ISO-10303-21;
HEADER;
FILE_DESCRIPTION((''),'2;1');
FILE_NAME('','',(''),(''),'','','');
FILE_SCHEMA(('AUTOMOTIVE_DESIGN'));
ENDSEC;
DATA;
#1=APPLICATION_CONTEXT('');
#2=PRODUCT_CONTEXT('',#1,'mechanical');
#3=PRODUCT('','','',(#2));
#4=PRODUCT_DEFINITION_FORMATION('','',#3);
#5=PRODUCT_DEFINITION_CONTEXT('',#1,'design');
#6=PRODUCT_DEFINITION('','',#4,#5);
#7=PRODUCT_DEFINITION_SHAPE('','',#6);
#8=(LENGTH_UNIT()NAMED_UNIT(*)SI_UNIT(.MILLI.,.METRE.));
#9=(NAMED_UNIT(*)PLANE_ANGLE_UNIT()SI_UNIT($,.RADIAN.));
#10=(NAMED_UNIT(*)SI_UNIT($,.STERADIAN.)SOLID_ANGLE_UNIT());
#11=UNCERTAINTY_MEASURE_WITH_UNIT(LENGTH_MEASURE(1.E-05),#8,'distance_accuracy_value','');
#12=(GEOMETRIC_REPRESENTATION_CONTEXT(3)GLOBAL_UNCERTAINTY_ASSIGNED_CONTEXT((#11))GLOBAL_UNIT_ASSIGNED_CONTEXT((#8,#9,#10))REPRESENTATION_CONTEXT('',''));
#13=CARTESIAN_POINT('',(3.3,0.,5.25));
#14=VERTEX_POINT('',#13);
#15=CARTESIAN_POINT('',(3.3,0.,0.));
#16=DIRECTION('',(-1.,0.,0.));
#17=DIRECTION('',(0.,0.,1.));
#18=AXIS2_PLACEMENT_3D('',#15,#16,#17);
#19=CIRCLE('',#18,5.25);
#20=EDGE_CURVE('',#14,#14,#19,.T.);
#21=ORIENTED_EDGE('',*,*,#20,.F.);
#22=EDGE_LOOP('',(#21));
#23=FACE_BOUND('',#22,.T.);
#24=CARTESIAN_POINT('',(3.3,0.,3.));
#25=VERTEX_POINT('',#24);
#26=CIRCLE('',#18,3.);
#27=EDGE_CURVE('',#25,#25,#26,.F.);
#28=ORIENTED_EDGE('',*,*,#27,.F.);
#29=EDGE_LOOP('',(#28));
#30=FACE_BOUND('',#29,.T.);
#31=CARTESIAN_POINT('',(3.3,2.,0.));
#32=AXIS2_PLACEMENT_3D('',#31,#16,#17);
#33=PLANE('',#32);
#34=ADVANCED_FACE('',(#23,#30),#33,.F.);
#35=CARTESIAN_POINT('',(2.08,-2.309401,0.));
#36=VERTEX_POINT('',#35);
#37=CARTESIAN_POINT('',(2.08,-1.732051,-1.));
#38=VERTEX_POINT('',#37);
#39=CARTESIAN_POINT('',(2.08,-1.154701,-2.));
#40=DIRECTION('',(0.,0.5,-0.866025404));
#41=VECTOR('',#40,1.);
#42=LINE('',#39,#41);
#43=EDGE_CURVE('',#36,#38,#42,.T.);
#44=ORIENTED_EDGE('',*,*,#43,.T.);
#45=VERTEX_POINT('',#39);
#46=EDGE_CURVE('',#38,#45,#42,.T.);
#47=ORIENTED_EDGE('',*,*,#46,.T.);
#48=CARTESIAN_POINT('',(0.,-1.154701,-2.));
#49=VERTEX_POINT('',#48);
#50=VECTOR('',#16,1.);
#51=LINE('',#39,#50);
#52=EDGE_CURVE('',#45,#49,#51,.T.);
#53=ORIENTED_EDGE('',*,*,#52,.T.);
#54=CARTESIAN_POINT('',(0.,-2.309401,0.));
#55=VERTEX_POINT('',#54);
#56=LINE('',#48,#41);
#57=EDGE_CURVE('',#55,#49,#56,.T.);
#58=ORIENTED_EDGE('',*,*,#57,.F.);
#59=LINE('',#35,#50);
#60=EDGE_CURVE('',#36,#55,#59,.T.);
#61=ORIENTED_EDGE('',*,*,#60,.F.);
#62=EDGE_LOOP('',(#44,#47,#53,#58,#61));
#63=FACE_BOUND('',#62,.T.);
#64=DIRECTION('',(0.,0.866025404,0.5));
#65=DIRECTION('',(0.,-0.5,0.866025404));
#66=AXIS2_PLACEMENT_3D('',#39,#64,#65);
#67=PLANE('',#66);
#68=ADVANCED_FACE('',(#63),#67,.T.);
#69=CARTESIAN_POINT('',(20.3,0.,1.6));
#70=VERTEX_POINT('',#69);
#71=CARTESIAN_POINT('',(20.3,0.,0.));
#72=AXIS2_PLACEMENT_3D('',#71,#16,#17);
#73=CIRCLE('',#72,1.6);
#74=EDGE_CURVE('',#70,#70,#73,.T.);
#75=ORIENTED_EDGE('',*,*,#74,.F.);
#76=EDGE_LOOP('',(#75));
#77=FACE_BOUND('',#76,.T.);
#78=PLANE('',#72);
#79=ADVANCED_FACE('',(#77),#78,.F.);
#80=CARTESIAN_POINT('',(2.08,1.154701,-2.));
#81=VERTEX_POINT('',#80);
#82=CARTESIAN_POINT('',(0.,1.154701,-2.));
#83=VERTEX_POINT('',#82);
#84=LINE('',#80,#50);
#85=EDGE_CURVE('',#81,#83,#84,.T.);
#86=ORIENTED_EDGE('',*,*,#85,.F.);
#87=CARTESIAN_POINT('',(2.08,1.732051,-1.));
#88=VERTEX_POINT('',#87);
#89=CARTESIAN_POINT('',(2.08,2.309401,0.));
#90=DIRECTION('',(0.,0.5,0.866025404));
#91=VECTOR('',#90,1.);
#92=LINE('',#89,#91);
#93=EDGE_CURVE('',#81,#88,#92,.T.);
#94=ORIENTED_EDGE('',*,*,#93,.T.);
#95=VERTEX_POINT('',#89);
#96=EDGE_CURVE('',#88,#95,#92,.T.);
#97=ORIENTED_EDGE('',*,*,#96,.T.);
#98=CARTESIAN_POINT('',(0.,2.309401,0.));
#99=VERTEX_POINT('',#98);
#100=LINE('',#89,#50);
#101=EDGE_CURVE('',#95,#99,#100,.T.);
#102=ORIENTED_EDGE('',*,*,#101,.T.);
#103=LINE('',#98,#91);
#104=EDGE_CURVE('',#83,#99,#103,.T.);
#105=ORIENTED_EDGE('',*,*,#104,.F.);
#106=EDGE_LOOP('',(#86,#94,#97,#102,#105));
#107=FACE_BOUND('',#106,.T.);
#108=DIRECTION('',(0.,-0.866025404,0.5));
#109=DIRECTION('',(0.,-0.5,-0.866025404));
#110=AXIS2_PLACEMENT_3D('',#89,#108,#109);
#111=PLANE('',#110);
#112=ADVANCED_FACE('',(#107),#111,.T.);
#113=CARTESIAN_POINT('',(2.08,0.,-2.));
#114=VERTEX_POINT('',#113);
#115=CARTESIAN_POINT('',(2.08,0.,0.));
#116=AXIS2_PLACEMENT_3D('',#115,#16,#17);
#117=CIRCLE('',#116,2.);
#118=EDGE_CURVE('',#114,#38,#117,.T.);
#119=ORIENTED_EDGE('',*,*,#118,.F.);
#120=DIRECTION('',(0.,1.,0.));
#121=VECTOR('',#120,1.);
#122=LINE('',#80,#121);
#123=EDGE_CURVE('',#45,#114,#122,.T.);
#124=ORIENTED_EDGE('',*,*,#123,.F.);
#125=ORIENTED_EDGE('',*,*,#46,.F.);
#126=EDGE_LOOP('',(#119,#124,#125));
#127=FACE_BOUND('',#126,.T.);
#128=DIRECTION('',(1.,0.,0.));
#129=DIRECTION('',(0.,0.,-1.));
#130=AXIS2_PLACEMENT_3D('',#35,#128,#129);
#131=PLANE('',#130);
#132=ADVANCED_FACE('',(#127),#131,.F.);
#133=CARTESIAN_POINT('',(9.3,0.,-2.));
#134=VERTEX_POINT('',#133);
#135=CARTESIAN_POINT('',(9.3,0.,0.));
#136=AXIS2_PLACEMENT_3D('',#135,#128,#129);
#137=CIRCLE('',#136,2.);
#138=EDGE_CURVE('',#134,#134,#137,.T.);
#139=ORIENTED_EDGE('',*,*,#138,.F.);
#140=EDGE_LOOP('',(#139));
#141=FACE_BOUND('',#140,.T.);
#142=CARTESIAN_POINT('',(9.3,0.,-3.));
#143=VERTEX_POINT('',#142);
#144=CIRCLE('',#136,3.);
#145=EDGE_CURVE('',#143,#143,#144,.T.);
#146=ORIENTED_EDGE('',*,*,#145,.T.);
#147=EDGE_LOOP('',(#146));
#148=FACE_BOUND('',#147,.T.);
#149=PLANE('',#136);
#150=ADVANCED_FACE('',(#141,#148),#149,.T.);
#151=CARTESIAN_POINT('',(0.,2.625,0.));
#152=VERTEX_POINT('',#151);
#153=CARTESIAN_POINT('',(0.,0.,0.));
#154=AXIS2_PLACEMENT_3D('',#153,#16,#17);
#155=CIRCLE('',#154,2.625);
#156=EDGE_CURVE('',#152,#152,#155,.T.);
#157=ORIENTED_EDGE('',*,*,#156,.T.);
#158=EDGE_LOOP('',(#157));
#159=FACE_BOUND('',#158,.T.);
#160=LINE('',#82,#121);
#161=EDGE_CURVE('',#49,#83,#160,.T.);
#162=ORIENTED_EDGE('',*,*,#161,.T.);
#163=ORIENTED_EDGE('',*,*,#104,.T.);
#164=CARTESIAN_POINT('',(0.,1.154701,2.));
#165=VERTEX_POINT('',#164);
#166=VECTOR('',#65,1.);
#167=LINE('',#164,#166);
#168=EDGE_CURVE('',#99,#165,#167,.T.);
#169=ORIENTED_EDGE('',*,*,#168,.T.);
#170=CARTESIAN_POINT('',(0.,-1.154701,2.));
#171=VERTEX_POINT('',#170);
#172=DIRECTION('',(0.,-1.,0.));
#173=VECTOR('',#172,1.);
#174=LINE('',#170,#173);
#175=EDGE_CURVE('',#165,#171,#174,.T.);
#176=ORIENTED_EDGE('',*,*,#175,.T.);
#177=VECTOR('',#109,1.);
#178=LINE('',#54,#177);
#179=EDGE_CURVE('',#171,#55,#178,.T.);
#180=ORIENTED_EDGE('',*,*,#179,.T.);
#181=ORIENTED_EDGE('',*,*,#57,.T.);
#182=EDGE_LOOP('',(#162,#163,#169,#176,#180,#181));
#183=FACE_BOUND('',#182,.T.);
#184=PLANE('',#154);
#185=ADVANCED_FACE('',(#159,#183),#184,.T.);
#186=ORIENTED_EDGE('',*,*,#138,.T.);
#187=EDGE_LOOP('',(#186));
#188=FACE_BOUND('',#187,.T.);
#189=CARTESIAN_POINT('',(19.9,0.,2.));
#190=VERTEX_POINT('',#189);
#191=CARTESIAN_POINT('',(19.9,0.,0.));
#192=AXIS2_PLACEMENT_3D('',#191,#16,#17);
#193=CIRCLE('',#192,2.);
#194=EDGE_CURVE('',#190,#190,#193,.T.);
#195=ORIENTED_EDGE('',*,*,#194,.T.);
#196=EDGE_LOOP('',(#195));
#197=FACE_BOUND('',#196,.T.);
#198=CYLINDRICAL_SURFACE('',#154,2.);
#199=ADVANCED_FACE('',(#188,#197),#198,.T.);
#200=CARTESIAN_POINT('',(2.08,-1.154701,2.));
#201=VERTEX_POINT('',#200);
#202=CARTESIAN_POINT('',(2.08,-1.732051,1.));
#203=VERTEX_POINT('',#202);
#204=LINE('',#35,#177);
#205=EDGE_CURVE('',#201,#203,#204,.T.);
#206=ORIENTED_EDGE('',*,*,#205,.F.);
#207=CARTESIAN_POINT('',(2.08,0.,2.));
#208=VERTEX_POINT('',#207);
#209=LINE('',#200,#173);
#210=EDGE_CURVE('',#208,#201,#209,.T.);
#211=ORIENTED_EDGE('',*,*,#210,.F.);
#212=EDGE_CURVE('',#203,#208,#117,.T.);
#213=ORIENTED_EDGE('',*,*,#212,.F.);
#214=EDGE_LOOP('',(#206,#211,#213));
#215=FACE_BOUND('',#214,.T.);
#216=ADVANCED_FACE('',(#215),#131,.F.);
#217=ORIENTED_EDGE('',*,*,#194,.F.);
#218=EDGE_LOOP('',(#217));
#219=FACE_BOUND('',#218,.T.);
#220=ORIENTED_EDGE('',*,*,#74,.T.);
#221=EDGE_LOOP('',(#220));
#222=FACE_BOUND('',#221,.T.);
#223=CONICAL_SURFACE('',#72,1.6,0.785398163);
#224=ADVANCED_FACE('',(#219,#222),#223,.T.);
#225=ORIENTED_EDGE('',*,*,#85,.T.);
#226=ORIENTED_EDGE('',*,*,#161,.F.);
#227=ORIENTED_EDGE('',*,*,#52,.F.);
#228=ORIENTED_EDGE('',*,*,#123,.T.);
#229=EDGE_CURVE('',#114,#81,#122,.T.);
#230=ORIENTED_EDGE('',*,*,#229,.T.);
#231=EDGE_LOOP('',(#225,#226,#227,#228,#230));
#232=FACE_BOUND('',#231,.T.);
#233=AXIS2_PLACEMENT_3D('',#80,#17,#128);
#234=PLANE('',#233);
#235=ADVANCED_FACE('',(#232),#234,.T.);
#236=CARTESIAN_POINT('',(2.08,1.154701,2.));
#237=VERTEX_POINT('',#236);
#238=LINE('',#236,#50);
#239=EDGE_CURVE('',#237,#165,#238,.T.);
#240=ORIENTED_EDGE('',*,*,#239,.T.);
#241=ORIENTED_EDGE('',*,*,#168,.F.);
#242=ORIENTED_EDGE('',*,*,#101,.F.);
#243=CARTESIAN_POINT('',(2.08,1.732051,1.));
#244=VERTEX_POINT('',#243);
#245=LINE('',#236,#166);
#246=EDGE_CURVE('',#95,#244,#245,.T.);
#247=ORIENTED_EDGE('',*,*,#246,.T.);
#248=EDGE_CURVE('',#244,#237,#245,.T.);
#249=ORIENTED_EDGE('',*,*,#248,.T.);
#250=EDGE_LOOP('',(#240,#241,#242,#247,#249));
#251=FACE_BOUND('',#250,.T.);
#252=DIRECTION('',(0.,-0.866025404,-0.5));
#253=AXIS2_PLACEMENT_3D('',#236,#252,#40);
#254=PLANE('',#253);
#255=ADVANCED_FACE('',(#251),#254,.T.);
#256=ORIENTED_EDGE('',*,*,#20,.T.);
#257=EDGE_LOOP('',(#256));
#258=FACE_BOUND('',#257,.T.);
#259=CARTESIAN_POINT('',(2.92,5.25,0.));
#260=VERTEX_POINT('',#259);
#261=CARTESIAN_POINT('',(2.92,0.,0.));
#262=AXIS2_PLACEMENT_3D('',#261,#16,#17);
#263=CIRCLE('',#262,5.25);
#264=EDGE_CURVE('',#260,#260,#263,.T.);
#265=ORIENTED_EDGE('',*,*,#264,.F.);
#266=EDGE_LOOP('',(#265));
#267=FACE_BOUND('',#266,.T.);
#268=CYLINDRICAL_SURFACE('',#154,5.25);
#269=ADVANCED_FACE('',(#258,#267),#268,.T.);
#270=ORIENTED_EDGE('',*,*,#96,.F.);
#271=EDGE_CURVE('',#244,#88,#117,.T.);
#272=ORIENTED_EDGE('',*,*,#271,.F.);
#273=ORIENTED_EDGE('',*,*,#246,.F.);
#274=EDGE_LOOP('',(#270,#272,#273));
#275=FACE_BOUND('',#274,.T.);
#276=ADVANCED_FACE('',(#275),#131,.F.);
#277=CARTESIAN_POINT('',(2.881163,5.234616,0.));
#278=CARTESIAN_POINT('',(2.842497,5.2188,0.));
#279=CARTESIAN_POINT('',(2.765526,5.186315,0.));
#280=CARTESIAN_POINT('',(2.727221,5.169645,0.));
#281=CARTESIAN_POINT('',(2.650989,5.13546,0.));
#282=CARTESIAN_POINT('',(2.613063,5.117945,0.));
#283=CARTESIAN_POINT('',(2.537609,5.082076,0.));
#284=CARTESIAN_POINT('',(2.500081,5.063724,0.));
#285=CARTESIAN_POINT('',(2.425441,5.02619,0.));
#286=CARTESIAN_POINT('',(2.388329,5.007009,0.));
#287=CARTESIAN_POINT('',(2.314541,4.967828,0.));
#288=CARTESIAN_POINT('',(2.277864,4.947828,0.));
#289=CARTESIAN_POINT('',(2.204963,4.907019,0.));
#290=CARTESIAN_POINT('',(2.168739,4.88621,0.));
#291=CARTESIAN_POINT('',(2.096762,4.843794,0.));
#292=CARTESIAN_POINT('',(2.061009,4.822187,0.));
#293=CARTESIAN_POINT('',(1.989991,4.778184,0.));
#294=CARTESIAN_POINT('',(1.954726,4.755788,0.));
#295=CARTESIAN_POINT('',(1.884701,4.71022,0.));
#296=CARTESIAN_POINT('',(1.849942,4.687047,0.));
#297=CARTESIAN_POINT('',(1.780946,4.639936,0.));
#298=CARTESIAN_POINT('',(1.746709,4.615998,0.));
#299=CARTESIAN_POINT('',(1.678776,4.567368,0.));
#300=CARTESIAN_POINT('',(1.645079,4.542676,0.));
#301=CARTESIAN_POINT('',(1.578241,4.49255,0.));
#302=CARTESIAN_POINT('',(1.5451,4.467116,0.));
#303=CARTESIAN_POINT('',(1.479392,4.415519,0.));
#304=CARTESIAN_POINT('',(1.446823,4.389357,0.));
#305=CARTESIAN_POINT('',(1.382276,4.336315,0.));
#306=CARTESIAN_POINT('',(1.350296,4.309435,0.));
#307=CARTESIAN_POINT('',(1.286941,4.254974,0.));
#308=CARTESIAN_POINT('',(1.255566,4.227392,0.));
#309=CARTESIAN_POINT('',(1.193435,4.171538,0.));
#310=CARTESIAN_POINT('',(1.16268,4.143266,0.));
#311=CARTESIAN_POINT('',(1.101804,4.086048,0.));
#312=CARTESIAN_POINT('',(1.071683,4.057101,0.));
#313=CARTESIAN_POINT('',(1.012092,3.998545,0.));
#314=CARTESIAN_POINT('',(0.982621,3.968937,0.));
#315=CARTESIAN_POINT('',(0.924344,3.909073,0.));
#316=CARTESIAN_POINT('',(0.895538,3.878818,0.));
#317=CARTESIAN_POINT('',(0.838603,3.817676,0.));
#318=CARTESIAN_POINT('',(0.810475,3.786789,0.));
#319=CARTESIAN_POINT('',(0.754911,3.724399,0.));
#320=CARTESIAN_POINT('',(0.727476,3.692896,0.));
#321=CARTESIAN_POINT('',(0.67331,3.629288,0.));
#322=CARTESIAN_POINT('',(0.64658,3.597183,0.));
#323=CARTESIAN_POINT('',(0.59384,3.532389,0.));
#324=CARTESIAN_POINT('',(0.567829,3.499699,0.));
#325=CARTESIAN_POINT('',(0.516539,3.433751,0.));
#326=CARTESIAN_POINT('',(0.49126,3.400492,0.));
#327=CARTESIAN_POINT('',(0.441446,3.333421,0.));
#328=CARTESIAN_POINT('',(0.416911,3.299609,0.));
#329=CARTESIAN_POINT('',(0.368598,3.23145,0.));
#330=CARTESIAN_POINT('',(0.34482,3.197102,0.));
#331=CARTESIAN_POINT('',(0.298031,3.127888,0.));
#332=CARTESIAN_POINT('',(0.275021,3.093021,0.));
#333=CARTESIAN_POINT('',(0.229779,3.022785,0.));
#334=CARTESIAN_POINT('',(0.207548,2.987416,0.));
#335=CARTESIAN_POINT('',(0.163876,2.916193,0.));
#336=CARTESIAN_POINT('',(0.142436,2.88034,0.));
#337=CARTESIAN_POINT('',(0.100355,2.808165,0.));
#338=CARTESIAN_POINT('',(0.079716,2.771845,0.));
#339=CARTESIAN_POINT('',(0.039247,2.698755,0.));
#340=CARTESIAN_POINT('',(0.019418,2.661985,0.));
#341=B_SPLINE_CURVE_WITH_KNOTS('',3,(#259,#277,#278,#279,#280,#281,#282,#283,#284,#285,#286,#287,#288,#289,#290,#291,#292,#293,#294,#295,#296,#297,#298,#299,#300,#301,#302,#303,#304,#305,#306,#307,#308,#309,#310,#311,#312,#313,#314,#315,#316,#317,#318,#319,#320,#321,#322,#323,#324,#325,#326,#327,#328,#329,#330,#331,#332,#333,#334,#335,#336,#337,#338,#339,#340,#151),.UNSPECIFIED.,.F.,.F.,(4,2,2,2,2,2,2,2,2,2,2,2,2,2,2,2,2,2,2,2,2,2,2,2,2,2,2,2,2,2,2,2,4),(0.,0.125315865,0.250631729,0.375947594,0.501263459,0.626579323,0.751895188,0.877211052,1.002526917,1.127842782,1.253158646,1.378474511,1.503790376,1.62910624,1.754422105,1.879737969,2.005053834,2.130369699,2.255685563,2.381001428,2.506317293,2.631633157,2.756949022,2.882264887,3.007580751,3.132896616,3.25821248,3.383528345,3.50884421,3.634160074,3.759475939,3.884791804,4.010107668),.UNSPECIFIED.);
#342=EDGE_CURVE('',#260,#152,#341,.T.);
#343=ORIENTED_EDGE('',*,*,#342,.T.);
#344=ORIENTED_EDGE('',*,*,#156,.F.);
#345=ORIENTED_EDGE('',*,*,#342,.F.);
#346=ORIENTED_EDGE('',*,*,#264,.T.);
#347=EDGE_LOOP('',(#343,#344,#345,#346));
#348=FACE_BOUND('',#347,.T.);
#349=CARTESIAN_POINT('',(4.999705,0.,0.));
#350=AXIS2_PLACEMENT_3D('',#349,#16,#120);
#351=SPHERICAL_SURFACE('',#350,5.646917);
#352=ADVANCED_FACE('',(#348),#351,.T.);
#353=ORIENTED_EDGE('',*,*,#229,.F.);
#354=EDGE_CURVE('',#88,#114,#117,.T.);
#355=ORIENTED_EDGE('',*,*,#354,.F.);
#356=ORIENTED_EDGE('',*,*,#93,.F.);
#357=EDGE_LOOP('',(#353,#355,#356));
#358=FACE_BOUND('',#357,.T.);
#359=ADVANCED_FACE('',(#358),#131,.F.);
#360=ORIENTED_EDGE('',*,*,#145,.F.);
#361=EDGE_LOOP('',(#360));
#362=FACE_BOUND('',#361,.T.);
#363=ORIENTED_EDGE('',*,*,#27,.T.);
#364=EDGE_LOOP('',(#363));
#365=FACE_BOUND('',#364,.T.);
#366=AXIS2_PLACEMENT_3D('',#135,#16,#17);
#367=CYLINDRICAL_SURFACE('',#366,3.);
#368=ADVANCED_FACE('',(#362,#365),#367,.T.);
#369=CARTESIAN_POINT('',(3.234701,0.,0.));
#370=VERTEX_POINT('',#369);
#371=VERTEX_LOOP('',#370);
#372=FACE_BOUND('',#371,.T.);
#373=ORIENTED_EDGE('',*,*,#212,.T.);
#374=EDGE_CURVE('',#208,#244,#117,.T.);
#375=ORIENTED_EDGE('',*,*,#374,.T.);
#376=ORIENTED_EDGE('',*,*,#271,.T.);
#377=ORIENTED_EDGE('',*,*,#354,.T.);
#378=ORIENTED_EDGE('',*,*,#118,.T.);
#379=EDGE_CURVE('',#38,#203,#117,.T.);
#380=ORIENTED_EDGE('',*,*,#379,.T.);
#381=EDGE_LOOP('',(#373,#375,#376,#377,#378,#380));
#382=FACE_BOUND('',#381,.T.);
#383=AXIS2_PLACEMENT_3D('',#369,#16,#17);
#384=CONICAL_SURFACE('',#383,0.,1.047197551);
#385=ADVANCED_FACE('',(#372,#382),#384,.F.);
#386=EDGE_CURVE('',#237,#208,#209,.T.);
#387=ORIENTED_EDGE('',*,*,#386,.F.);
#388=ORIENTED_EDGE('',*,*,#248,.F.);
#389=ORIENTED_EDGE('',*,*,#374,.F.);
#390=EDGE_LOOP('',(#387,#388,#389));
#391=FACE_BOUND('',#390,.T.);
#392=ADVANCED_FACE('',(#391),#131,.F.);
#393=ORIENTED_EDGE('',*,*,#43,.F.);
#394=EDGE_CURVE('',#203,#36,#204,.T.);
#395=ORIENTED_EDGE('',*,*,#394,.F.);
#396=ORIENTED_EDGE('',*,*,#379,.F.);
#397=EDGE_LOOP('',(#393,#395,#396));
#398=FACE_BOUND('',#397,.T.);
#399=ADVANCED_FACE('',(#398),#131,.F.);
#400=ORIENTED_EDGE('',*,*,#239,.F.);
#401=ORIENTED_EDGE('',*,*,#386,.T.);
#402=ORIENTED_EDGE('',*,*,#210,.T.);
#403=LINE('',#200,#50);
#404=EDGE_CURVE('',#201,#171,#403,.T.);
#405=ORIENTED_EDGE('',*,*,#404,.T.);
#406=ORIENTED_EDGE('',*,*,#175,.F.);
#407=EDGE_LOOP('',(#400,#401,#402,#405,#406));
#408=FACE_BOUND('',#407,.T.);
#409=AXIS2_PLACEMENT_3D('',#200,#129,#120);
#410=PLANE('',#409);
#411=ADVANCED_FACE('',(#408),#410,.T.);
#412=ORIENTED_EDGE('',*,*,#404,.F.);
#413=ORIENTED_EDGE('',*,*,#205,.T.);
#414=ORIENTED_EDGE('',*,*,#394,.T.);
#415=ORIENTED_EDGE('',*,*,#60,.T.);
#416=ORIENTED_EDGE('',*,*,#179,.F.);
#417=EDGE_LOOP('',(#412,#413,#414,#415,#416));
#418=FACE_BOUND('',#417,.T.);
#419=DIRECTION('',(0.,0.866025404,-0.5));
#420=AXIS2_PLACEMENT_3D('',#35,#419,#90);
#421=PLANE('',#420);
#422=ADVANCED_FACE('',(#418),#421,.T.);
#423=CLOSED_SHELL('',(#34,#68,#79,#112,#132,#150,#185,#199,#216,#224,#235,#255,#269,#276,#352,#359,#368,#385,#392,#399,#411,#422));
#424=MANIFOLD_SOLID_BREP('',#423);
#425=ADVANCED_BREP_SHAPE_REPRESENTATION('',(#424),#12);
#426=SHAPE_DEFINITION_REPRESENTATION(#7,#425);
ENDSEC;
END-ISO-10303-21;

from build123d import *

# Parameters (mm, degrees)
FILLET1_R                = 0.01
HEX_2_DEPTH              = 2.08
ESBO_O1_R                = 3
RESSALTO_EXTRUS_O1_DEPTH = 6


with BuildPart() as part:
    # BodySke → BaseBody (revolve)
    with BuildSketch(Plane.XY, mode=Mode.PRIVATE) as basebody_sk:
        with BuildLine():
            Line((20.3, 0), (20.3, 1.6))
            Line((20.3, 1.6), (19.9, 2))
            Line((19.9, 2), (3.3, 2))
            Line((3.3, 2), (3.3, 5.25))
            Line((3.3, 5.25), (2.92, 5.25))
            ThreePointArc((2.92, 5.25), (1.224500646, 4.199464996), (0, 2.625))
            Line((0, 2.625), (0, 0))
            Line((0, 0), (20.3, 0))
        make_face()
    revolve(basebody_sk.sketch.rotate(Axis((0, 0, 0), (1, 0, 0)), 90), axis=Axis((0, 0, 0), (1, 0, 0)))

    # Fillet1
    fillet1_edges = [part.edges().sort_by_distance(p)[0] for p in [
        (3.3, 0, -2),
    ]]
    fillet(fillet1_edges, radius=FILLET1_R)

    # Sketch2 → PreBroach (revolve, cut)
    with BuildSketch(Plane.XY, mode=Mode.PRIVATE) as prebroach_sk:
        Polygon((0, 2), (2.08, 2), (3.234700538, 0), (0, 0), align=None)
    revolve(prebroach_sk.sketch.rotate(Axis((0, 0, 0), (1, 0, 0)), 90), axis=Axis((0, 0, 0), (1, 0, 0)), mode=Mode.SUBTRACT)

    # Sketch3 → Hex 2 (cut)
    with BuildSketch(Plane(origin=(0, 0, 0), x_dir=(0, 0, -1), z_dir=(1, 0, 0))):
        Polygon((-2, -1.154700538), (-2, 1.154700538), (0, 2.309401077), (2, 1.154700538), (2, -1.154700538), (0, -2.309401077), align=None)
    extrude(amount=HEX_2_DEPTH, mode=Mode.SUBTRACT)

    # Esboço1 → Ressalto-extrusão1 (add)
    with BuildSketch(Plane(origin=(3.3, 0, 0), x_dir=(0, 0, -1), z_dir=(1, 0, 0))):
        with Locations(Location((0, 0, 0), (0, 0, 180))):
            Circle(ESBO_O1_R)
    extrude(amount=RESSALTO_EXTRUS_O1_DEPTH)


solid = part.part
